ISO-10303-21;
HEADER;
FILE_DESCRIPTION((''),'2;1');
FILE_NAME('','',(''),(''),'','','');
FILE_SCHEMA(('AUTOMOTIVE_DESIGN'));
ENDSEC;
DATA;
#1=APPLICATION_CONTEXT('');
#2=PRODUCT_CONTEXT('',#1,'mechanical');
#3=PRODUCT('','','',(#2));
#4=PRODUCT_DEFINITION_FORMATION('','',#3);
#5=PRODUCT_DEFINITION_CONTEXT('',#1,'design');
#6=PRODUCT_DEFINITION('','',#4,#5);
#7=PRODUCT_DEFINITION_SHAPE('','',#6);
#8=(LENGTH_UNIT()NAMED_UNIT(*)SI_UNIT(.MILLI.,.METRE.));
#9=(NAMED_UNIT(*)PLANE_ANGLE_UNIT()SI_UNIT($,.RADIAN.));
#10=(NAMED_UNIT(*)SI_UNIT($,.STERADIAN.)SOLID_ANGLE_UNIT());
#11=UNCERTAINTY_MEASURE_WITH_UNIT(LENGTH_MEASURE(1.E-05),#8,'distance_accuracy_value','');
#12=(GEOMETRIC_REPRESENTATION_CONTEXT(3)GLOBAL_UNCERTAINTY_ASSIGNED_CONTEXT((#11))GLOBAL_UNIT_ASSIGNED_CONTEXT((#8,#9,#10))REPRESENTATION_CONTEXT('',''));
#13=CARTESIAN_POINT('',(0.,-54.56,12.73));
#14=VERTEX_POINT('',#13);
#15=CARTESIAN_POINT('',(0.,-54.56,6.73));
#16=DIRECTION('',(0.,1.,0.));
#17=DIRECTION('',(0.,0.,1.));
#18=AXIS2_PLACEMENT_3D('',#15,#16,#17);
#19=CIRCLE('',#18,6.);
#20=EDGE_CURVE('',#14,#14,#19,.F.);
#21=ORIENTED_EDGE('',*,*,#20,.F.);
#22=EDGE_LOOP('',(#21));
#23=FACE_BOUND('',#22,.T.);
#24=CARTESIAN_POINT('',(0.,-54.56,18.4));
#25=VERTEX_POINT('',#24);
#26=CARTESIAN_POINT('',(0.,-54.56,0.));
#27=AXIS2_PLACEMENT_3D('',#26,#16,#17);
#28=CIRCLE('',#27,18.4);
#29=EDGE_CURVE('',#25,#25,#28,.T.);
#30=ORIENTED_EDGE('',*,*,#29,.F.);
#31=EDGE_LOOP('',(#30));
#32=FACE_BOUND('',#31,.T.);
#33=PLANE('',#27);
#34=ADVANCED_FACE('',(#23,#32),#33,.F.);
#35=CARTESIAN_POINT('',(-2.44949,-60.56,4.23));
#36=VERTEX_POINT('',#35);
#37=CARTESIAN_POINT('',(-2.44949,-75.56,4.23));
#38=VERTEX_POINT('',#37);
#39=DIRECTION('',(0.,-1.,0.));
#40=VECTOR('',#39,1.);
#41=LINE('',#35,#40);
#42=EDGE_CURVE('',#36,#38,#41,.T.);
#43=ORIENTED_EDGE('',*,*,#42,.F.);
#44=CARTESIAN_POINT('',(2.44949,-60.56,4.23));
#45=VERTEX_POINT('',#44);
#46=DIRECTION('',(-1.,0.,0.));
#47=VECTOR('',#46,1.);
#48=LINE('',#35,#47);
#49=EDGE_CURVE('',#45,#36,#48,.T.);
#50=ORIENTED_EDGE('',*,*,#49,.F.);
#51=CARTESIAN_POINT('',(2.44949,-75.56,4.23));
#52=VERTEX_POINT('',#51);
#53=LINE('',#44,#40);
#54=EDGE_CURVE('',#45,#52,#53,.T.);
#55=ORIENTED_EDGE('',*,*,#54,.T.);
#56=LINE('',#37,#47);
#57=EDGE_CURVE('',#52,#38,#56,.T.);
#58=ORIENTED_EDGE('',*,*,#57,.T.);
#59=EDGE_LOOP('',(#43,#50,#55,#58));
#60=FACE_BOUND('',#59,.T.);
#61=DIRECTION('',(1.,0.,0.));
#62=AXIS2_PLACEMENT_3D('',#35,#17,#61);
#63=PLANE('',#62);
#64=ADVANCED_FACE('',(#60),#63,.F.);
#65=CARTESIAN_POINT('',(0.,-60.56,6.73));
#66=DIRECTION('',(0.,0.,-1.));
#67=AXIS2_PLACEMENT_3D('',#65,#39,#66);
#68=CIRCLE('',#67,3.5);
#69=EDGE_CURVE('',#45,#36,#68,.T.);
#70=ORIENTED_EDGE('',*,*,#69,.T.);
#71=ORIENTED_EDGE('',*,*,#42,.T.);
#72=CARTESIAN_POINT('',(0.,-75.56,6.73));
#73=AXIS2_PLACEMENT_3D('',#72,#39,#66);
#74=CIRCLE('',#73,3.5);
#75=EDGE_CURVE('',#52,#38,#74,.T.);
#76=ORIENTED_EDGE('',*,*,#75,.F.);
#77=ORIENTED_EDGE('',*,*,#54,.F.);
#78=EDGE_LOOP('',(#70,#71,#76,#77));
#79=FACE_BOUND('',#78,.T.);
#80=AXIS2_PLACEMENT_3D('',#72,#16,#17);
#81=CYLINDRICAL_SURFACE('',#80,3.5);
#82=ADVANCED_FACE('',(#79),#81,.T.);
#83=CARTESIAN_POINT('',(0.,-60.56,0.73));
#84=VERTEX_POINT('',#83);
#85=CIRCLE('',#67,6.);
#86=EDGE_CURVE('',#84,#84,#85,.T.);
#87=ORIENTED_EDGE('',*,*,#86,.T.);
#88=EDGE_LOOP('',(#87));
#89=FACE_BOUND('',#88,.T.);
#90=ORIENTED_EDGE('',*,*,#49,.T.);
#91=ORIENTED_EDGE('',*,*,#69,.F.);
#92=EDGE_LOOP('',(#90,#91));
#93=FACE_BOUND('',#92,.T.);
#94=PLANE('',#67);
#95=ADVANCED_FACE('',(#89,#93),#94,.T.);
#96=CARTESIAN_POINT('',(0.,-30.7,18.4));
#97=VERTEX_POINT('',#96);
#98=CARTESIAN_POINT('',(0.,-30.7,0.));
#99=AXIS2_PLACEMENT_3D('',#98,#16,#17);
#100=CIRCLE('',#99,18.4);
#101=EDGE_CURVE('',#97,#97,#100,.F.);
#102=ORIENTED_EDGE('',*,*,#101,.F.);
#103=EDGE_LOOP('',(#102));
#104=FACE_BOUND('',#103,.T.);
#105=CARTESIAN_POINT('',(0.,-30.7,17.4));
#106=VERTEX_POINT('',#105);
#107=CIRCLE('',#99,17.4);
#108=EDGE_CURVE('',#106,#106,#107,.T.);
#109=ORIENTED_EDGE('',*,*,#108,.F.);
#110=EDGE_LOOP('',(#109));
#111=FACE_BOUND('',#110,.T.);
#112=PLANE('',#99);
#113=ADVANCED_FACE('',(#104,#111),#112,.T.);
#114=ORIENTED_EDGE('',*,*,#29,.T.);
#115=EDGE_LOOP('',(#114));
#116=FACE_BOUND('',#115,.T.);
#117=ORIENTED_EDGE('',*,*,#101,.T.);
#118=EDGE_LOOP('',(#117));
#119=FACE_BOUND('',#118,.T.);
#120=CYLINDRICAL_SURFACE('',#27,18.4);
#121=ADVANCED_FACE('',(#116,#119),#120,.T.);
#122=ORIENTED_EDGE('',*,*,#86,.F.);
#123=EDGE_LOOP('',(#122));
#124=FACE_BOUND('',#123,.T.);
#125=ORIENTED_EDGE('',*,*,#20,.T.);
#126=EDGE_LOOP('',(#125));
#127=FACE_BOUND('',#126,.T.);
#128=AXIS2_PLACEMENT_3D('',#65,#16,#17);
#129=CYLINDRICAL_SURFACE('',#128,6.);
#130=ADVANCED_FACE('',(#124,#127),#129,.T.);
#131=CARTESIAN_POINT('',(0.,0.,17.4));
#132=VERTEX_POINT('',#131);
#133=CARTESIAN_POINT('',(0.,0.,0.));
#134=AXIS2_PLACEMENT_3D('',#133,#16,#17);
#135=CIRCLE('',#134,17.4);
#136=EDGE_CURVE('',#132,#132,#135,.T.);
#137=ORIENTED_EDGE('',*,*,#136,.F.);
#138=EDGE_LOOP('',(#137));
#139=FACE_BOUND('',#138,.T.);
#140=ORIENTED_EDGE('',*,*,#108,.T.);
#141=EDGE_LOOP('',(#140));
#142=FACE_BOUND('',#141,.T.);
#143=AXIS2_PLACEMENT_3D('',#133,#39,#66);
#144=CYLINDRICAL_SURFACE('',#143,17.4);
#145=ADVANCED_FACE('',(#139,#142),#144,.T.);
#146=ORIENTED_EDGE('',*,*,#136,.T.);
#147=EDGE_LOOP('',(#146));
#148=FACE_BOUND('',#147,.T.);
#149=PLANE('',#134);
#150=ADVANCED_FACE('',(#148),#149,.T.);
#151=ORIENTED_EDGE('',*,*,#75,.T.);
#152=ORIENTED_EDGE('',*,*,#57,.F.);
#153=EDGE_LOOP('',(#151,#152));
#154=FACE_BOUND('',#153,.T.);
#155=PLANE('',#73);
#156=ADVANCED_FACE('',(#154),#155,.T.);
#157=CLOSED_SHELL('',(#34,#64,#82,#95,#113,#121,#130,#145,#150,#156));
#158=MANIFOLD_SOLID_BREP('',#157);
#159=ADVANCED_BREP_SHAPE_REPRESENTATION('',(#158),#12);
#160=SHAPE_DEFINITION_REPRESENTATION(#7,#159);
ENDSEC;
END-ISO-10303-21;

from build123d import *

# Parameters (mm, degrees)
CROQUIS1_R              = 18.4
SALIENTE_EXTRUIR1_DEPTH = 54.56
CROQUIS2_R              = 6
SALIENTE_EXTRUIR2_DEPTH = 6
CROQUIS3_R              = 3.5
SALIENTE_EXTRUIR3_DEPTH = 15
CORTAR_EXTRUIR1_START   = -15
CORTAR_EXTRUIR1_DEPTH   = 15
CROQUIS6_R              = 18.42847038
CORTAR_EXTRUIR2_DEPTH   = 30.7
CROQUIS7_R              = 17.4
SALIENTE_EXTRUIR5_DEPTH = 30.7


with BuildPart() as part:
    # Croquis1 → Saliente-Extruir1 (new body)
    with BuildSketch(Plane(origin=(0, 0, 0), x_dir=(1, 0, 0), z_dir=(0, 1, 0))):
        with Locations(Location((0, 0, 0), (0, 0, 270))):
            Circle(CROQUIS1_R)
    extrude(amount=-SALIENTE_EXTRUIR1_DEPTH)

    # Croquis2 → Saliente-Extruir2 (add)
    with BuildSketch(Plane.XZ.offset(54.56)):
        with Locations(Location((0, 6.73, 0), (0, 0, 90))):
            Circle(CROQUIS2_R)
    extrude(amount=SALIENTE_EXTRUIR2_DEPTH)

    # Croquis3 → Saliente-Extruir3 (add)
    with BuildSketch(Plane.XZ.offset(60.56)):
        with Locations(Location((0, 6.73, 0), (0, 0, 270))):
            Circle(CROQUIS3_R)
    extrude(amount=SALIENTE_EXTRUIR3_DEPTH)

    # Croquis4 → Cortar-Extruir1 (cut)
    with BuildSketch(Plane(origin=(0, -75.56, 0), x_dir=(-1, 0, 0), z_dir=(0, -1, 0)).offset(CORTAR_EXTRUIR1_START)):
        with BuildLine():
            Line((2.449489743, -4.23), (-2.449489743, -4.23))
            ThreePointArc((-2.449489743, -4.23), (0, -3.23), (2.449489743, -4.23))
        make_face()
    extrude(amount=CORTAR_EXTRUIR1_DEPTH, mode=Mode.SUBTRACT)

    # Croquis6 → Cortar-Extruir2 (cut)
    with BuildSketch(Plane(origin=(0, 0, 0), x_dir=(1, 0, 0), z_dir=(0, 1, 0))):
        Circle(CROQUIS6_R)
    extrude(amount=-CORTAR_EXTRUIR2_DEPTH, mode=Mode.SUBTRACT)

    # Croquis7 → Saliente-Extruir5 (add)
    with BuildSketch(Plane(origin=(0, -30.7, 0), x_dir=(1, 0, 0), z_dir=(0, 1, 0))):
        with Locations(Location((0, 0, 0), (0, 0, 270))):
            Circle(CROQUIS7_R)
    extrude(amount=SALIENTE_EXTRUIR5_DEPTH)


solid = part.part
